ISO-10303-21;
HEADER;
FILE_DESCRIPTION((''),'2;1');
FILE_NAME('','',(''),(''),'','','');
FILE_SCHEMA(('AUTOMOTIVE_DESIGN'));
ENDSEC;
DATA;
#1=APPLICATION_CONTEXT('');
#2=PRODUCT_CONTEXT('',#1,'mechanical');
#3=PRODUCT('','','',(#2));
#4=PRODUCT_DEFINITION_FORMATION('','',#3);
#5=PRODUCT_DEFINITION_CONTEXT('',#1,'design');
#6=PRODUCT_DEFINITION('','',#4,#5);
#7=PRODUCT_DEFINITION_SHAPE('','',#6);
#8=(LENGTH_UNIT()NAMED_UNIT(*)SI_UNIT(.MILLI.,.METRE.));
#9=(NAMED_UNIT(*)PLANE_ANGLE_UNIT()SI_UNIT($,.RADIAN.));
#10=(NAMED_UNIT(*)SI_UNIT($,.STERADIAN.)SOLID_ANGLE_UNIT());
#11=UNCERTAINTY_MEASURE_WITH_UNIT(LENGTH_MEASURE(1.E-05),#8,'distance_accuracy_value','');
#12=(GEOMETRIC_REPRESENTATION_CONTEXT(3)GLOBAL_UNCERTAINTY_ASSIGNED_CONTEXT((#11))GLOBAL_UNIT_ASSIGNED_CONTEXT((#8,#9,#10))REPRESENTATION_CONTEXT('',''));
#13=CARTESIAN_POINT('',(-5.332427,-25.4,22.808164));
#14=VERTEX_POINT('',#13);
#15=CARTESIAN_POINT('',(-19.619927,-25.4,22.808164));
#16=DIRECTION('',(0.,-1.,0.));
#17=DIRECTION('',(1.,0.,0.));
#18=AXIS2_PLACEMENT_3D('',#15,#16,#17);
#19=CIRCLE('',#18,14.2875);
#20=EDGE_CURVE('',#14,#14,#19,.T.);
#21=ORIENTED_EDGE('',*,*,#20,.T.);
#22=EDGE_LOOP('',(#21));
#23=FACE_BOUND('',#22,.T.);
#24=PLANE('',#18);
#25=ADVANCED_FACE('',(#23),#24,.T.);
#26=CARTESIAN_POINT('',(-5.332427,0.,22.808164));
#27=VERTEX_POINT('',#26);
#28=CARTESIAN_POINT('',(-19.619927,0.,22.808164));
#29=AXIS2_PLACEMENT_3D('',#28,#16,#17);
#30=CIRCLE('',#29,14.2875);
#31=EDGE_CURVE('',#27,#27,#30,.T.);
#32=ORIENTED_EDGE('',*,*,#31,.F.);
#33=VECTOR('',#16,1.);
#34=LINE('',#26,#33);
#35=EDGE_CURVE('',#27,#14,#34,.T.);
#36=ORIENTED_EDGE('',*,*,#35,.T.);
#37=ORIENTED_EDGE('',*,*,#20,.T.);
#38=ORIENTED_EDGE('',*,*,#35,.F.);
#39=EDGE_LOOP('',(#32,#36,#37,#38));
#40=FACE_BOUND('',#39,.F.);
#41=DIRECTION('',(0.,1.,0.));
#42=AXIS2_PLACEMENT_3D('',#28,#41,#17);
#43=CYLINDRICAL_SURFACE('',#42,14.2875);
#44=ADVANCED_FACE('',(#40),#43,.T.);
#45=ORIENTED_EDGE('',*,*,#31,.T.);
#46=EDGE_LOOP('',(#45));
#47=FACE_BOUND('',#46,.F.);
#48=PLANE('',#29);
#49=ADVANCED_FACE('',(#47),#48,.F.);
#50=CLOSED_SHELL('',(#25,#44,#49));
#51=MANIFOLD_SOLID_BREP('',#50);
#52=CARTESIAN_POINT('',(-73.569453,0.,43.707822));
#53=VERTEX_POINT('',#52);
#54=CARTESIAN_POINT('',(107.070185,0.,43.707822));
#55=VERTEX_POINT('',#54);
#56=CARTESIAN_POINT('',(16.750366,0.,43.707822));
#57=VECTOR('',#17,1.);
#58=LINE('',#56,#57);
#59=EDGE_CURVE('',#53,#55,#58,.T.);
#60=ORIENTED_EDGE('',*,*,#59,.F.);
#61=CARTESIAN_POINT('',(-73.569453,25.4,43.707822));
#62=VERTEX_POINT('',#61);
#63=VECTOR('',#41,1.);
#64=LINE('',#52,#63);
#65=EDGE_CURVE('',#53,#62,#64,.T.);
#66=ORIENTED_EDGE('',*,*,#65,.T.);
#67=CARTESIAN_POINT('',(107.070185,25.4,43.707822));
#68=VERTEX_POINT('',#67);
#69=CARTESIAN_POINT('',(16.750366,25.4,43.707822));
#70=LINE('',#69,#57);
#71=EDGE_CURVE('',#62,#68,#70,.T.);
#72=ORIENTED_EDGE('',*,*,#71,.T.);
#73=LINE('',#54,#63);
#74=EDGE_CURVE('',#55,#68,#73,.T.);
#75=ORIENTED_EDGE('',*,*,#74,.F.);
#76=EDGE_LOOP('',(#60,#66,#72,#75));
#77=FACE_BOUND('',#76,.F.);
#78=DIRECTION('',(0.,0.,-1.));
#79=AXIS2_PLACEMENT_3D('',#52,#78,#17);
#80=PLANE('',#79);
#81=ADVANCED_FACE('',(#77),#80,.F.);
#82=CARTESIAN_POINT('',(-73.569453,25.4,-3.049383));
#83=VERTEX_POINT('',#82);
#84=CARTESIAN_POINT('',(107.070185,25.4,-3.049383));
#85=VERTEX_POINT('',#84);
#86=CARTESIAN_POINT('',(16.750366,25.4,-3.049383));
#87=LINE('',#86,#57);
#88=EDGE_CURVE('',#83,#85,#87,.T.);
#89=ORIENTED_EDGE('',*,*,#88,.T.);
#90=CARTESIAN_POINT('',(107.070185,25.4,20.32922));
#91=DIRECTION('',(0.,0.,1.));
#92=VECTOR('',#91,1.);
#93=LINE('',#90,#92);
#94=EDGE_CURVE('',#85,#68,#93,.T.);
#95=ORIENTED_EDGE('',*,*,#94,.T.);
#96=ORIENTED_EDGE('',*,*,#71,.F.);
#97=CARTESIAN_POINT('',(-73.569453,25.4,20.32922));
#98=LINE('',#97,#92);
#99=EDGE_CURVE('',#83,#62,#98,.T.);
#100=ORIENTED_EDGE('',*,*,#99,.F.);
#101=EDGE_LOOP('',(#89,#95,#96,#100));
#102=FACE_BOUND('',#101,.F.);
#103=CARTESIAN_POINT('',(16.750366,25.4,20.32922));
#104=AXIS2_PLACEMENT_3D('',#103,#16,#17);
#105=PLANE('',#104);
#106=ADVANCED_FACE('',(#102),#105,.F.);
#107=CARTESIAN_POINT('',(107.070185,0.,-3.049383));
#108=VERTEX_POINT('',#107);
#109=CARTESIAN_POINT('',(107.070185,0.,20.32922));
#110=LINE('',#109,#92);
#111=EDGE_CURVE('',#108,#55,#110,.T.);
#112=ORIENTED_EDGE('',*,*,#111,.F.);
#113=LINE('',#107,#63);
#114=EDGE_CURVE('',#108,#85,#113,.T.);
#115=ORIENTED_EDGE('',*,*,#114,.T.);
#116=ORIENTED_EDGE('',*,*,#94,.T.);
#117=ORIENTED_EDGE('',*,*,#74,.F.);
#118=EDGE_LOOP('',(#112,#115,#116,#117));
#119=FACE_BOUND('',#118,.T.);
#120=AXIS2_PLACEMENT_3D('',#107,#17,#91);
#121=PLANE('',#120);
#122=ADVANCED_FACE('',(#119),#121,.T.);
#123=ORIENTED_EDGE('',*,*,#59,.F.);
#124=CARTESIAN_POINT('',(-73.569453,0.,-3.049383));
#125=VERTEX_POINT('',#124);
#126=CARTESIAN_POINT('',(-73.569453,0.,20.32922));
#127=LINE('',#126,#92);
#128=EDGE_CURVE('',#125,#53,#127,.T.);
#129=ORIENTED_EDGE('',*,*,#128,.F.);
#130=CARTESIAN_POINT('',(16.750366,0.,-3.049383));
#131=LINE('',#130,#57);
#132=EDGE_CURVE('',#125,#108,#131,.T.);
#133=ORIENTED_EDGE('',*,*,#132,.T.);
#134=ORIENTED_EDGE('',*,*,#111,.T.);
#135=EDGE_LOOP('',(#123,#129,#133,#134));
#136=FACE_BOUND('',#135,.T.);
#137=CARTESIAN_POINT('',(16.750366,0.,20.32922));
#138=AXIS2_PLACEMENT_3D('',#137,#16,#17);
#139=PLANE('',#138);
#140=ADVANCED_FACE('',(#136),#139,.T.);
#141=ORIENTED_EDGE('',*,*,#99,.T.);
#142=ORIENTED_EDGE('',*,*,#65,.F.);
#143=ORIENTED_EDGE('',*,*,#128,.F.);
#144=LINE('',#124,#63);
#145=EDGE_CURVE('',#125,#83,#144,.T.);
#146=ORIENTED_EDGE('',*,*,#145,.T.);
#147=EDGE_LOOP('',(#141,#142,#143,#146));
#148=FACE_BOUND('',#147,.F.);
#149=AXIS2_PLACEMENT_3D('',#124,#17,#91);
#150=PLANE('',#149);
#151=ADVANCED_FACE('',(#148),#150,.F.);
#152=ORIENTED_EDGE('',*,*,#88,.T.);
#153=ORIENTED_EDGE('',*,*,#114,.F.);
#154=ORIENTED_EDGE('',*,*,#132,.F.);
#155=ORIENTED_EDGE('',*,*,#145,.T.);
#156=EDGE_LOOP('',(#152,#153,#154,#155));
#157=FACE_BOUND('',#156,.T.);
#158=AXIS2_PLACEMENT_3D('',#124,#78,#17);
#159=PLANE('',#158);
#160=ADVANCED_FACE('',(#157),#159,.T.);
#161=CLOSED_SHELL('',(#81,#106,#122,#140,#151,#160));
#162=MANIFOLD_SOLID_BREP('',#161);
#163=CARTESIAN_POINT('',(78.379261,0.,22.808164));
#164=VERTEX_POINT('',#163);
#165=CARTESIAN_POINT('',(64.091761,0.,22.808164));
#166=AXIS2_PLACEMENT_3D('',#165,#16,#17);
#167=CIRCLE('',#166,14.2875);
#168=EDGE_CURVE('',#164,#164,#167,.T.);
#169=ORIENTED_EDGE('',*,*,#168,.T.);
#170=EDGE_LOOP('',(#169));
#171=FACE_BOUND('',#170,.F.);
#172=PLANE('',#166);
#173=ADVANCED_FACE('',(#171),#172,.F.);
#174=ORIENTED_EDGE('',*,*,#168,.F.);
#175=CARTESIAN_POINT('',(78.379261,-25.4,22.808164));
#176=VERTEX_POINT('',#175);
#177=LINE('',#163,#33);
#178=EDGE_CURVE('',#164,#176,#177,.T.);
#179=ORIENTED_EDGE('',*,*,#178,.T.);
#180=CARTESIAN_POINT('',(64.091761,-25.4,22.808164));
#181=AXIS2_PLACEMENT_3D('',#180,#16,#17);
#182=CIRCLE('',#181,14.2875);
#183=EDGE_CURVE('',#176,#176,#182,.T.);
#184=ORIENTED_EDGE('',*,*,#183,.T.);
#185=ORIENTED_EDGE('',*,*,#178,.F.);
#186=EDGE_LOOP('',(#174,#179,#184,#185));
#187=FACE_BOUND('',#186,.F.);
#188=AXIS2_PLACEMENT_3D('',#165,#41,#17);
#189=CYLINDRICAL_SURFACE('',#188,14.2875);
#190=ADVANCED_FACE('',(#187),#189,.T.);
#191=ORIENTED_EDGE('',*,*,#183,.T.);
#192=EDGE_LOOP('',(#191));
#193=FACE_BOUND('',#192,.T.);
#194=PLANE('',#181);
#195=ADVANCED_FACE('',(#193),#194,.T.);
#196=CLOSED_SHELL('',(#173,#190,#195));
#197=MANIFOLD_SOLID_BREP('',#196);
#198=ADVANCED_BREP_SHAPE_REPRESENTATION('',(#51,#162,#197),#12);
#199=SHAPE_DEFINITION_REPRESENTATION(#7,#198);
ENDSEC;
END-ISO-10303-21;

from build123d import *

# Parameters (mm, degrees)
F0_R     = 14.2875
F1_DEPTH = 25.4
F2_W     = 180.639639
F2_H     = 46.757205
F3_DEPTH = 25.4


with BuildPart() as f1:
    # F0 (on Front) → F1 (new body)
    with BuildSketch(Plane.XZ):
        with Locations((-19.619927, 22.808164)):
            Circle(F0_R)
        with Locations((64.091761, 22.808164)):
            Circle(F0_R)
    extrude(amount=F1_DEPTH)


with BuildPart() as f3:
    # F2 (on Front) → F3 (new body)
    with BuildSketch(Plane.XZ):
        with Locations((16.750366, 20.32922)):
            Rectangle(F2_W, F2_H)
    extrude(amount=-F3_DEPTH)


solid = Compound([f1.part, f3.part])
